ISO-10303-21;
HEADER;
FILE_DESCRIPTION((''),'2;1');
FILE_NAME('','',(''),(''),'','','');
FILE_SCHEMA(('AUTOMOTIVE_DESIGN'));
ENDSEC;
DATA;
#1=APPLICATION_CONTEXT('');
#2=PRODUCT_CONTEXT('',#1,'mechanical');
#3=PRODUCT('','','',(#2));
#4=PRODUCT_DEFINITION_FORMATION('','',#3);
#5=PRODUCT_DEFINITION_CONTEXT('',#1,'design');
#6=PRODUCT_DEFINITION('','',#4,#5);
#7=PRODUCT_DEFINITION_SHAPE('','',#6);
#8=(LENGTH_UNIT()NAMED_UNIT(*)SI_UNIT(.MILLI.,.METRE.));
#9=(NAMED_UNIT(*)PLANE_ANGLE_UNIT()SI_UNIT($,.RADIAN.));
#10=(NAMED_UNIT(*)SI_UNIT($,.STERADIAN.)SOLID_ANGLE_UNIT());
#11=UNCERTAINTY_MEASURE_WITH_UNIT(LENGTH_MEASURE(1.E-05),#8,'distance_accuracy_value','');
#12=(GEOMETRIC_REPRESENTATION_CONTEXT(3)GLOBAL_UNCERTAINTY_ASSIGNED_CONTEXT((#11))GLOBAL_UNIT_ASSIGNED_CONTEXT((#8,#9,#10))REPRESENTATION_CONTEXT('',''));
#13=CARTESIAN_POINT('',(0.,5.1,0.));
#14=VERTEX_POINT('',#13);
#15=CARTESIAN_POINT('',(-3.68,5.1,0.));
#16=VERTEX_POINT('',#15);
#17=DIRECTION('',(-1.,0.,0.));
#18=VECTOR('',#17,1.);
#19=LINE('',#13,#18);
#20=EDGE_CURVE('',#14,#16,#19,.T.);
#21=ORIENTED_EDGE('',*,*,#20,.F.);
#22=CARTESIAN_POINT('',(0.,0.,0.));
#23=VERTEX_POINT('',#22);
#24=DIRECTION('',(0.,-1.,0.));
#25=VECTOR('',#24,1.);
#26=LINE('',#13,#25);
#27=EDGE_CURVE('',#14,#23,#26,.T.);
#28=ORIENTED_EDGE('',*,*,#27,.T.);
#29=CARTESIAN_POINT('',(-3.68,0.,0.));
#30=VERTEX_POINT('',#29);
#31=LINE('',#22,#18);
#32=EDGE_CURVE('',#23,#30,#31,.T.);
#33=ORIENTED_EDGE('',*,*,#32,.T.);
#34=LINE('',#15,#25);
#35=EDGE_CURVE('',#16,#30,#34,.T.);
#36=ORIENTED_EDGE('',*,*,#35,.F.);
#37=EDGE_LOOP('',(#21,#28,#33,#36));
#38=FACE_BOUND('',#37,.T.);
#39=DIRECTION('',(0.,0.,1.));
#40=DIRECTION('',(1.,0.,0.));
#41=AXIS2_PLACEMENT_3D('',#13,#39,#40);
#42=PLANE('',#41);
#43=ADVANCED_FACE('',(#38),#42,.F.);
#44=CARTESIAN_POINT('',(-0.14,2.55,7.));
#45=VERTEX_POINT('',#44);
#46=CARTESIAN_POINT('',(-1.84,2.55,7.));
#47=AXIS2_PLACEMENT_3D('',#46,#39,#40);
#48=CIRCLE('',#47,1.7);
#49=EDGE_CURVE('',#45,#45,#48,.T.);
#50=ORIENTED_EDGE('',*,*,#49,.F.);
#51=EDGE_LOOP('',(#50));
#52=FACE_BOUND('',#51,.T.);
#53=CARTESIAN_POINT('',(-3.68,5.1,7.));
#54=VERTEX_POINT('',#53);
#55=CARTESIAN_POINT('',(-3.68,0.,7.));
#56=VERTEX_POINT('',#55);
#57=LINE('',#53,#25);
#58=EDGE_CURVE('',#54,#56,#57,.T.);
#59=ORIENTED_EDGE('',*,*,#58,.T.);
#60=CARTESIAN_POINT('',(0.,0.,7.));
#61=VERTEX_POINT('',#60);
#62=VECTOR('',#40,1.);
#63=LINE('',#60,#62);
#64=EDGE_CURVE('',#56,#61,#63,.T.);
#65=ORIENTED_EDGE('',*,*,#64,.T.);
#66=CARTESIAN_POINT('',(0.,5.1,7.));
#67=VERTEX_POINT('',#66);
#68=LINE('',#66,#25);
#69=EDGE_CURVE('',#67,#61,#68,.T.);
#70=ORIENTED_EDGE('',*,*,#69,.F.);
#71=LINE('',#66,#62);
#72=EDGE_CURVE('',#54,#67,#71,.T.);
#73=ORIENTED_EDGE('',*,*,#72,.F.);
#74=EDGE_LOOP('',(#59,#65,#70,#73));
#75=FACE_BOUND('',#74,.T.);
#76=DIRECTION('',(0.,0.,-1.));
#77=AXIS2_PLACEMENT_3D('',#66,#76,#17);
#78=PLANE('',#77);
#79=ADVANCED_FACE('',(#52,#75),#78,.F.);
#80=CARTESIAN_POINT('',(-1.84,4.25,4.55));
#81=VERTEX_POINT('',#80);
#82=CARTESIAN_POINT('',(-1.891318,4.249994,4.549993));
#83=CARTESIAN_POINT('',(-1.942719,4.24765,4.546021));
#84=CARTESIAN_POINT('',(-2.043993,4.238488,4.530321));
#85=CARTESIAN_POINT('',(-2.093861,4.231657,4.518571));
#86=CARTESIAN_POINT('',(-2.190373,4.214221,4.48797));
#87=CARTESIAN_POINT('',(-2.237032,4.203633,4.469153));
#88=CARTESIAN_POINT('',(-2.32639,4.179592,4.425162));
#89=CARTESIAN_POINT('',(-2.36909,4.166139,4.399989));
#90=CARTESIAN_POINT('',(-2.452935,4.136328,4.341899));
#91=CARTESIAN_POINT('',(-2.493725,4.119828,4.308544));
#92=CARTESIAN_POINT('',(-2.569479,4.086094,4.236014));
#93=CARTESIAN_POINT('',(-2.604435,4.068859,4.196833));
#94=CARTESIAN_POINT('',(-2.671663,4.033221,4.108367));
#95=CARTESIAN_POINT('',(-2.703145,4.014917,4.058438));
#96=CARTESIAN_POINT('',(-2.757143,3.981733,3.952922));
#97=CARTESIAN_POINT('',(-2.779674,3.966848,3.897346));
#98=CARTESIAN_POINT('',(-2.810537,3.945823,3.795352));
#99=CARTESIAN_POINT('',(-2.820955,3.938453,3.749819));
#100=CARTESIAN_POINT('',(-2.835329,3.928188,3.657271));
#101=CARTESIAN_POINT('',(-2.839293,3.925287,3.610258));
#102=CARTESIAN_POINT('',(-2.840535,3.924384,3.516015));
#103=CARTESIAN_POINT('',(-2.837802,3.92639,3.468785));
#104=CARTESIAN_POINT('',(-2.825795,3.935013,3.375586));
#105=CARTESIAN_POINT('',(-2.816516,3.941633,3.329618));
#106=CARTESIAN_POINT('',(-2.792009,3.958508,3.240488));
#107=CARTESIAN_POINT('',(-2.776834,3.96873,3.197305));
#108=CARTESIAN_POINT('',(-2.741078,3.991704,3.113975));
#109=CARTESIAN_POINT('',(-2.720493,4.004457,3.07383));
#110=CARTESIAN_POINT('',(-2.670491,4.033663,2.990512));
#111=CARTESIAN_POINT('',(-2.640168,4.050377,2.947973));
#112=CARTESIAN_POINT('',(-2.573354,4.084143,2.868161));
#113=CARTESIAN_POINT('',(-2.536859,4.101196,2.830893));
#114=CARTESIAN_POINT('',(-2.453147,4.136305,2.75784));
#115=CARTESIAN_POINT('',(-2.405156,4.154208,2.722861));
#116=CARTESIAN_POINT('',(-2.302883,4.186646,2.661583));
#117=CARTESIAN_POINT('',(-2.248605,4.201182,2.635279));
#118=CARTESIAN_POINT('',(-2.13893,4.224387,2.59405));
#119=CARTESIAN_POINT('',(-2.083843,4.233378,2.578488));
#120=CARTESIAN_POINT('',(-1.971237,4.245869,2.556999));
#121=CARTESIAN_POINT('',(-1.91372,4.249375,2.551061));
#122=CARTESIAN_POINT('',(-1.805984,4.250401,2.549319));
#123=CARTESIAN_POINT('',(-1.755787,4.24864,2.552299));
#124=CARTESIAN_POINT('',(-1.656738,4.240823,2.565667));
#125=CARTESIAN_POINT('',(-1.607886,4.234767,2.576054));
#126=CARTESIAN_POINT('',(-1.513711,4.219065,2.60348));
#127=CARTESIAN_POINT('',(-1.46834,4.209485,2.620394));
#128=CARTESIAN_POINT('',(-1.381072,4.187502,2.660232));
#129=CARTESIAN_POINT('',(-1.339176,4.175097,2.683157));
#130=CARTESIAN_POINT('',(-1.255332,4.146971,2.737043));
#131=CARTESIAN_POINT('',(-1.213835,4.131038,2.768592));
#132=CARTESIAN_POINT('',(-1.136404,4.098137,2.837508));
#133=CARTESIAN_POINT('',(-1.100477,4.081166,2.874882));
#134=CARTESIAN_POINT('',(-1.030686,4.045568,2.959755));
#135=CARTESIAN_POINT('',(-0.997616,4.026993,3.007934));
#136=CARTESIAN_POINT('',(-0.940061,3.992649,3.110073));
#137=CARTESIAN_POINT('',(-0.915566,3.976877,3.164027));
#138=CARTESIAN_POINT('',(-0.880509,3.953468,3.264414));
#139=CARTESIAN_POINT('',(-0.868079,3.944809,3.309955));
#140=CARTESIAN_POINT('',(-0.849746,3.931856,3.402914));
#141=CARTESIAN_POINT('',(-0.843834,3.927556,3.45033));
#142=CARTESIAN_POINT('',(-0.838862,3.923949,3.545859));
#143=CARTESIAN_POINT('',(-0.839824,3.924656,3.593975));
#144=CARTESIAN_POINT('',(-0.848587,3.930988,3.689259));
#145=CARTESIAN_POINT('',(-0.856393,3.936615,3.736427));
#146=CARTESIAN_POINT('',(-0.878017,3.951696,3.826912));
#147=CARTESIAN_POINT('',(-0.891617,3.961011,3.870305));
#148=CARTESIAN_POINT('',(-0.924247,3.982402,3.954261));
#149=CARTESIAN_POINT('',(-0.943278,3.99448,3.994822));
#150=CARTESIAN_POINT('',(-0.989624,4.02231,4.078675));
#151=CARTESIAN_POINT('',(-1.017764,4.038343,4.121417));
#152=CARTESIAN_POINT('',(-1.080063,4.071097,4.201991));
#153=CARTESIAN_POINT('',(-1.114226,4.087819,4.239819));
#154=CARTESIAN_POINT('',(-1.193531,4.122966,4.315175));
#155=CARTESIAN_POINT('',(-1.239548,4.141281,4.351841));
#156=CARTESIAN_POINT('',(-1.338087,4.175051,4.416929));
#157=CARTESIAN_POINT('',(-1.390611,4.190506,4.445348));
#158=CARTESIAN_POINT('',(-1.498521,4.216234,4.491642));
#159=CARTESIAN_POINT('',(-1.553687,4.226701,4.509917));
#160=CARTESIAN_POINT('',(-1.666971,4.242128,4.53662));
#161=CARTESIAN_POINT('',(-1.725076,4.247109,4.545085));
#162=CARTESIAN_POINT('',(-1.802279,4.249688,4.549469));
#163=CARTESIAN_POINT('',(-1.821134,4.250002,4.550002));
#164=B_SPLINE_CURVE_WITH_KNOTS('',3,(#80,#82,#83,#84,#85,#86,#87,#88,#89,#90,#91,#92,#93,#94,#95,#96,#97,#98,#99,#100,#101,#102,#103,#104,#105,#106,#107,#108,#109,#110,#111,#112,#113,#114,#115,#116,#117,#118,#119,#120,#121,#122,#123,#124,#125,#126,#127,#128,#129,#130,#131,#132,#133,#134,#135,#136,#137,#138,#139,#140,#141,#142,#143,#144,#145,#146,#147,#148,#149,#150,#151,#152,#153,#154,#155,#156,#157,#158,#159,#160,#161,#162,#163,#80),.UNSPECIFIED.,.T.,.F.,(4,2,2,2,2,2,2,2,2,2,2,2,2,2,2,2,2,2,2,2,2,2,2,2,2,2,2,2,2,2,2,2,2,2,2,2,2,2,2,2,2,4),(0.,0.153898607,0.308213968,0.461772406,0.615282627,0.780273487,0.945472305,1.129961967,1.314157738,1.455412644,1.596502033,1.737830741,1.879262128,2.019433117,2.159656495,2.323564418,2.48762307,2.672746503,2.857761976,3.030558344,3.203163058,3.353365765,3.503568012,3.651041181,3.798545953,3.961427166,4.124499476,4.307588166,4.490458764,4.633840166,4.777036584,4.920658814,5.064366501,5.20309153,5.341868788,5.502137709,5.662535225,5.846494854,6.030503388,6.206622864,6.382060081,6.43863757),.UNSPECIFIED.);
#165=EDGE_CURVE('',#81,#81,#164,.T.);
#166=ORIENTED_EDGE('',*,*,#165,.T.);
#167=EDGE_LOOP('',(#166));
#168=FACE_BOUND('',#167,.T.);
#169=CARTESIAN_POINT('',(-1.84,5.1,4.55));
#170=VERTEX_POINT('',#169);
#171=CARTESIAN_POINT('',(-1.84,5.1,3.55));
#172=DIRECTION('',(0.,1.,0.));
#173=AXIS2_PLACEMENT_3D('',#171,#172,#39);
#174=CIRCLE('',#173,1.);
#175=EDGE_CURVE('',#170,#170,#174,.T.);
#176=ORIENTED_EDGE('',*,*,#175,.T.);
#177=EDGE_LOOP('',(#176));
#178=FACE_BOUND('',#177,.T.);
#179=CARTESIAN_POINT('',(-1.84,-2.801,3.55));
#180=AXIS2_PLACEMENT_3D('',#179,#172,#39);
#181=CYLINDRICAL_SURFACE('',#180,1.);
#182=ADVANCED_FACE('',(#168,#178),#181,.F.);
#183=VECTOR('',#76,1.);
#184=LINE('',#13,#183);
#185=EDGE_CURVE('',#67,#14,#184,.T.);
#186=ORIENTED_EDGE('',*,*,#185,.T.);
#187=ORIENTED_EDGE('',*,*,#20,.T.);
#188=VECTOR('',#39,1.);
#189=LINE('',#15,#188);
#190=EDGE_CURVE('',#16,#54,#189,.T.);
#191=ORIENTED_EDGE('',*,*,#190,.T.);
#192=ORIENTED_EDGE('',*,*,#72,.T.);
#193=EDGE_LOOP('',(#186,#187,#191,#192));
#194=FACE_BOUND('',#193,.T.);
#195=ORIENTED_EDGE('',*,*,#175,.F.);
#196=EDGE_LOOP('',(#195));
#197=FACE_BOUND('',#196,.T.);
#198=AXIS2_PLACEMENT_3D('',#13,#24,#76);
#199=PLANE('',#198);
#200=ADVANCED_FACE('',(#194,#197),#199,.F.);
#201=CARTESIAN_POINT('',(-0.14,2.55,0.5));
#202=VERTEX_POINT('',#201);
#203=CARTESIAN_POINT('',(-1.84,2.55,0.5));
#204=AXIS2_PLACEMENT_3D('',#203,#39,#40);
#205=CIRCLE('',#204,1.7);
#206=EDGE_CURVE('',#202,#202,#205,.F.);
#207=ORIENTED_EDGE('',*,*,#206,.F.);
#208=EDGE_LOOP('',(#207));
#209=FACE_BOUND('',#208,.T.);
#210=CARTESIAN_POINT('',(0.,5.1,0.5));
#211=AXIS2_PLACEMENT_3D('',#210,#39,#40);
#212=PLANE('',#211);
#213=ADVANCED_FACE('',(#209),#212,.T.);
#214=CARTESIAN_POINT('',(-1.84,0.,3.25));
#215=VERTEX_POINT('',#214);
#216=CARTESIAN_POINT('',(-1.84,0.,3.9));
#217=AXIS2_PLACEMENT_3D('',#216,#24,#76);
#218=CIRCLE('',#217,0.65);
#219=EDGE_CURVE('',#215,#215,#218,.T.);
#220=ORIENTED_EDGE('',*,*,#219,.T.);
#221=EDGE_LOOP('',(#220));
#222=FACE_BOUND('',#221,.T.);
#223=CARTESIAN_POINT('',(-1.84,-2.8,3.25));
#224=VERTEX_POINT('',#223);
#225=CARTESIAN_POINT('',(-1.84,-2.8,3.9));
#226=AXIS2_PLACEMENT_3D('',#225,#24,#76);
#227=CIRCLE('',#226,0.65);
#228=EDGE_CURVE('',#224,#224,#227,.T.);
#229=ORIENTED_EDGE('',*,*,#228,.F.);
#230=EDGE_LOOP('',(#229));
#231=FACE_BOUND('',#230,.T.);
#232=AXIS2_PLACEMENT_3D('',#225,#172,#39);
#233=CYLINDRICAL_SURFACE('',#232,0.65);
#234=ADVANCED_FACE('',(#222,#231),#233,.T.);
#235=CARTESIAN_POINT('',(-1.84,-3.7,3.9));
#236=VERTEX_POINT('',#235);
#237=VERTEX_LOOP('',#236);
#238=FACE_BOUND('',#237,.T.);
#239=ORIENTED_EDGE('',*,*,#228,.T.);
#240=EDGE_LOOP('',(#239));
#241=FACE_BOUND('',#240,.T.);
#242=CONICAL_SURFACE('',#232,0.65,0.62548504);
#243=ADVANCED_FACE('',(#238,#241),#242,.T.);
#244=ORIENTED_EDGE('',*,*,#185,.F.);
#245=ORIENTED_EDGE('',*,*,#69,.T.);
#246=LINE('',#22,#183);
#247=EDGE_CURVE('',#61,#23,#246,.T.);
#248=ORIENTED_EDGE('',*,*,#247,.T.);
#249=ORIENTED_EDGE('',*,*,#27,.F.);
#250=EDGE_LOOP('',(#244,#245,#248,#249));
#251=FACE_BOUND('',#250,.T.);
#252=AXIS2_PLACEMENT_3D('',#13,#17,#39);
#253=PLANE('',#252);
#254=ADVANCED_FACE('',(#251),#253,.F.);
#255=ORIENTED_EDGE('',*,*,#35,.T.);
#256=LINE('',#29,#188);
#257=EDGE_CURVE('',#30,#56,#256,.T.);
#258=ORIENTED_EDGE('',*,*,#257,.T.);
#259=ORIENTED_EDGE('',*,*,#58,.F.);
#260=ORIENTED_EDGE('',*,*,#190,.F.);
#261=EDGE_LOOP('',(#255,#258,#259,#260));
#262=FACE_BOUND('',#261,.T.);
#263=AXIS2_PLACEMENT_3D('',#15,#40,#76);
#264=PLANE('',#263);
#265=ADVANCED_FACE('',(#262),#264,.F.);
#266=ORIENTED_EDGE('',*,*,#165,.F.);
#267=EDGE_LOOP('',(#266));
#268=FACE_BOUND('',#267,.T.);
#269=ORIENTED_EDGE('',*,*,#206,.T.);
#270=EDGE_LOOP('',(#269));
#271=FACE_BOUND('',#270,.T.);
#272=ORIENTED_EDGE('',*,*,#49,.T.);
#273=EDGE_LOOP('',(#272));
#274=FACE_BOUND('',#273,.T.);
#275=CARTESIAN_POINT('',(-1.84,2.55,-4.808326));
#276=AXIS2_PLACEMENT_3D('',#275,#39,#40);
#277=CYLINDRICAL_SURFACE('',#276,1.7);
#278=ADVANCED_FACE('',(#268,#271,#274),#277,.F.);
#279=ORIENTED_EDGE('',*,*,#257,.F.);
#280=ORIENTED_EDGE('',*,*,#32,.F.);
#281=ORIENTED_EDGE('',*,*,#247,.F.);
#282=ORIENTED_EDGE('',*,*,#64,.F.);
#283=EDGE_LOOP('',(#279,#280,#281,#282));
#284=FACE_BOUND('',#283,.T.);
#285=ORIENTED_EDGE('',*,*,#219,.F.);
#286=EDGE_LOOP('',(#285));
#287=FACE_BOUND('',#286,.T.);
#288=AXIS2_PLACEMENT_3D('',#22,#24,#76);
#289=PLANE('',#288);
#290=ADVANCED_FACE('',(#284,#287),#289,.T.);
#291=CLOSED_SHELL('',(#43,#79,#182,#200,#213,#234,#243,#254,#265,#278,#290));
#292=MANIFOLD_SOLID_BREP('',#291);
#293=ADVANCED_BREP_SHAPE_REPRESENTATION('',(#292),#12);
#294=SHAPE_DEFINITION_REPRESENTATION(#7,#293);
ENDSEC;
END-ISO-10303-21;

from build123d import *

# Parameters (mm, degrees)
SKETCH1_W           = 3.68
SKETCH1_H           = 7
BOSS_EXTRUDE1_DEPTH = 5.1
SKETCH2_R           = 1.7
CUT_EXTRUDE1_DEPTH  = 6.5
SKETCH3_R           = 0.65
BOSS_EXTRUDE2_DEPTH = 2.8
CUT_EXTRUDE2_REACH  = 9.9
SKETCH4_R           = 1


with BuildPart() as part:
    # Sketch1 → Boss-Extrude1 (new body)
    with BuildSketch(Plane(origin=(0, 0, 0), x_dir=(1, 0, 0), z_dir=(0, 1, 0))):
        with Locations((-1.84, -3.5)):
            Rectangle(SKETCH1_W, SKETCH1_H)
    extrude(amount=BOSS_EXTRUDE1_DEPTH)

    # Sketch2 → Cut-Extrude1 (cut)
    with BuildSketch(Plane.XY.offset(7)):
        with Locations((-1.84, 2.55)):
            Circle(SKETCH2_R)
    extrude(amount=-CUT_EXTRUDE1_DEPTH, mode=Mode.SUBTRACT)

    # Sketch3 → Boss-Extrude2 (add)
    with BuildSketch(Plane.XZ):
        with Locations((-1.84, 3.9)):
            Circle(SKETCH3_R)
    extrude(amount=BOSS_EXTRUDE2_DEPTH)

    # Sketch4 → Cut-Extrude2 (cut, up to next)
    with BuildSketch(Plane(origin=(0, 5.1, 0), x_dir=(1, 0, 0), z_dir=(0, 1, 0)), mode=Mode.PRIVATE) as cut_extrude2_sk1:
        with Locations((-1.84, -3.55)):
            Circle(SKETCH4_R)
    cut_extrude2_tool1 = extrude(cut_extrude2_sk1.sketch, amount=-CUT_EXTRUDE2_REACH, mode=Mode.PRIVATE) & part.part
    add(cut_extrude2_tool1.solids().sort_by_distance((-1.84, 5.1, 3.55))[0], mode=Mode.SUBTRACT)

    # Sketch7 → Revolve2 (revolve)
    with BuildSketch(Plane(origin=(-1.84, 0, 0), x_dir=(0, 0, -1), z_dir=(1, 0, 0))):
        Polygon((-3.9, -2.8), (-3.9, -3.7), (-4.55, -2.8), align=None)
    revolve(axis=Axis((-1.84, -2.8, 3.9), (0, -1, 0)))


solid = part.part
